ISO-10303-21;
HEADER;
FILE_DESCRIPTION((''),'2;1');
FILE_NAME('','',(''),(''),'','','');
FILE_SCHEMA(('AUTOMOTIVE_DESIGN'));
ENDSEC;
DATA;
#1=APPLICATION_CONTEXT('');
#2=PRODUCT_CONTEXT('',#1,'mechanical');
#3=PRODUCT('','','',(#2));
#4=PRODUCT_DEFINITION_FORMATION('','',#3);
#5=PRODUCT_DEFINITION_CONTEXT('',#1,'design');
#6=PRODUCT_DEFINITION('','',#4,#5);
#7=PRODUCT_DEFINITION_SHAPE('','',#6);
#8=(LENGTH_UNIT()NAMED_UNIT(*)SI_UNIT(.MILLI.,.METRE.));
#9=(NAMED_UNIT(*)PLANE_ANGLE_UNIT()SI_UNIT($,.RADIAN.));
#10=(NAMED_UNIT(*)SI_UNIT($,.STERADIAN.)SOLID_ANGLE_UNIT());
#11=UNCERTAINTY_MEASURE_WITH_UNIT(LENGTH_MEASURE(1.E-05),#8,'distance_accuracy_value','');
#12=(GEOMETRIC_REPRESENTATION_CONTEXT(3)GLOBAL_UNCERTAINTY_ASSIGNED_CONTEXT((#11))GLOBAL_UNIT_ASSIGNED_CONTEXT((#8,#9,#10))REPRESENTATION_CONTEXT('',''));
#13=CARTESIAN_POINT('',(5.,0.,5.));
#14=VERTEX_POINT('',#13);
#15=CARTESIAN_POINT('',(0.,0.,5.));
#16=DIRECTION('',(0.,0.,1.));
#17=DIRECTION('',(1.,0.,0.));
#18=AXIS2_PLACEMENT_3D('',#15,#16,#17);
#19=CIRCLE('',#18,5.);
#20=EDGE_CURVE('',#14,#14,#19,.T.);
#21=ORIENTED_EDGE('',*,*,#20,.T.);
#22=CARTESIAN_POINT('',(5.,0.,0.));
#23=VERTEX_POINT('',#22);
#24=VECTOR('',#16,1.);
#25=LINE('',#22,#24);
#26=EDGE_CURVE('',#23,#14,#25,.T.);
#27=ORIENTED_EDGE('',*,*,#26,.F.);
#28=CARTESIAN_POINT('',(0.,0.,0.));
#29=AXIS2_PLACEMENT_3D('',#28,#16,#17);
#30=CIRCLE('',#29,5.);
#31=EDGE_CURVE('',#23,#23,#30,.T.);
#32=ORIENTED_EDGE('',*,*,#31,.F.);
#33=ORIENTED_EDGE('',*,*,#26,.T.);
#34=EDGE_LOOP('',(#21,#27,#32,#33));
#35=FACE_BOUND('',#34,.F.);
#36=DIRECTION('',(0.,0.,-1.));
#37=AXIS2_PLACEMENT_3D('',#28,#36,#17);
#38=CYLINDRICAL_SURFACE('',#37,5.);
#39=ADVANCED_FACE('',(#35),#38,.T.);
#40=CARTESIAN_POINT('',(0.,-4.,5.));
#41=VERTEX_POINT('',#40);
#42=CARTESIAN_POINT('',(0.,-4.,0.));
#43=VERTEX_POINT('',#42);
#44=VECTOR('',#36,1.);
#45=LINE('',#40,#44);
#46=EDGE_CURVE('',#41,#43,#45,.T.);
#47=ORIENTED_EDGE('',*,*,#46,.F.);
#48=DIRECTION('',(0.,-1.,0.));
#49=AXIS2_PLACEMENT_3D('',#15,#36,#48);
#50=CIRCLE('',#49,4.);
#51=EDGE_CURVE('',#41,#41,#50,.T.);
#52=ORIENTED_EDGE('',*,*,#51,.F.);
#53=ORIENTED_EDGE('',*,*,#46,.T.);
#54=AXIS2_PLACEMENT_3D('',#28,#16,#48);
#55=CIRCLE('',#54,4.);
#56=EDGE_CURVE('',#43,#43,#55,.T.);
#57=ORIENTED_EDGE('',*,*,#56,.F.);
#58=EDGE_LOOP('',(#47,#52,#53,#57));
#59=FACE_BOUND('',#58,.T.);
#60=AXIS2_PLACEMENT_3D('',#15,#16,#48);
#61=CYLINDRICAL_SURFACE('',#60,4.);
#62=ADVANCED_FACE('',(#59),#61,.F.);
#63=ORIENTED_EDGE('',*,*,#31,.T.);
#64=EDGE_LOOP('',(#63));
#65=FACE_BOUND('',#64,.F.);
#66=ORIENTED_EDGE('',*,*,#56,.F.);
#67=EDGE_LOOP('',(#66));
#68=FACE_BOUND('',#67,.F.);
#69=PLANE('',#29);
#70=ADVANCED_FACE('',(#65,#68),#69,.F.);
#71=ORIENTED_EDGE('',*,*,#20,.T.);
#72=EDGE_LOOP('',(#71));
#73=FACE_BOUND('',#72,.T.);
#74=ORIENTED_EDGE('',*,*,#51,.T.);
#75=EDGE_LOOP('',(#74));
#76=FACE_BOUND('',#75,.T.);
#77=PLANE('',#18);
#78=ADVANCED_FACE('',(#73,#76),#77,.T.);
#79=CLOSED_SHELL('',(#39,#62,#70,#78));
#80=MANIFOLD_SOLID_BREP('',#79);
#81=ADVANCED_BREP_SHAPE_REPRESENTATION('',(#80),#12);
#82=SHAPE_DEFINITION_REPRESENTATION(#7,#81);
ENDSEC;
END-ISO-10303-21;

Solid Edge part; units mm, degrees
sketch "Sketch1" plane through (0, 0, 0) normal (0, 0, 1) x (1, 0, 0)
  circle A0 centre (0, 0) radius 5
extrude "Protrusion1" add sketch "Sketch1" along normal blind 5
hole "Bohrung_1" at (0, 0, 5) direction (0, 0, -1) diameter 8 end up to next
